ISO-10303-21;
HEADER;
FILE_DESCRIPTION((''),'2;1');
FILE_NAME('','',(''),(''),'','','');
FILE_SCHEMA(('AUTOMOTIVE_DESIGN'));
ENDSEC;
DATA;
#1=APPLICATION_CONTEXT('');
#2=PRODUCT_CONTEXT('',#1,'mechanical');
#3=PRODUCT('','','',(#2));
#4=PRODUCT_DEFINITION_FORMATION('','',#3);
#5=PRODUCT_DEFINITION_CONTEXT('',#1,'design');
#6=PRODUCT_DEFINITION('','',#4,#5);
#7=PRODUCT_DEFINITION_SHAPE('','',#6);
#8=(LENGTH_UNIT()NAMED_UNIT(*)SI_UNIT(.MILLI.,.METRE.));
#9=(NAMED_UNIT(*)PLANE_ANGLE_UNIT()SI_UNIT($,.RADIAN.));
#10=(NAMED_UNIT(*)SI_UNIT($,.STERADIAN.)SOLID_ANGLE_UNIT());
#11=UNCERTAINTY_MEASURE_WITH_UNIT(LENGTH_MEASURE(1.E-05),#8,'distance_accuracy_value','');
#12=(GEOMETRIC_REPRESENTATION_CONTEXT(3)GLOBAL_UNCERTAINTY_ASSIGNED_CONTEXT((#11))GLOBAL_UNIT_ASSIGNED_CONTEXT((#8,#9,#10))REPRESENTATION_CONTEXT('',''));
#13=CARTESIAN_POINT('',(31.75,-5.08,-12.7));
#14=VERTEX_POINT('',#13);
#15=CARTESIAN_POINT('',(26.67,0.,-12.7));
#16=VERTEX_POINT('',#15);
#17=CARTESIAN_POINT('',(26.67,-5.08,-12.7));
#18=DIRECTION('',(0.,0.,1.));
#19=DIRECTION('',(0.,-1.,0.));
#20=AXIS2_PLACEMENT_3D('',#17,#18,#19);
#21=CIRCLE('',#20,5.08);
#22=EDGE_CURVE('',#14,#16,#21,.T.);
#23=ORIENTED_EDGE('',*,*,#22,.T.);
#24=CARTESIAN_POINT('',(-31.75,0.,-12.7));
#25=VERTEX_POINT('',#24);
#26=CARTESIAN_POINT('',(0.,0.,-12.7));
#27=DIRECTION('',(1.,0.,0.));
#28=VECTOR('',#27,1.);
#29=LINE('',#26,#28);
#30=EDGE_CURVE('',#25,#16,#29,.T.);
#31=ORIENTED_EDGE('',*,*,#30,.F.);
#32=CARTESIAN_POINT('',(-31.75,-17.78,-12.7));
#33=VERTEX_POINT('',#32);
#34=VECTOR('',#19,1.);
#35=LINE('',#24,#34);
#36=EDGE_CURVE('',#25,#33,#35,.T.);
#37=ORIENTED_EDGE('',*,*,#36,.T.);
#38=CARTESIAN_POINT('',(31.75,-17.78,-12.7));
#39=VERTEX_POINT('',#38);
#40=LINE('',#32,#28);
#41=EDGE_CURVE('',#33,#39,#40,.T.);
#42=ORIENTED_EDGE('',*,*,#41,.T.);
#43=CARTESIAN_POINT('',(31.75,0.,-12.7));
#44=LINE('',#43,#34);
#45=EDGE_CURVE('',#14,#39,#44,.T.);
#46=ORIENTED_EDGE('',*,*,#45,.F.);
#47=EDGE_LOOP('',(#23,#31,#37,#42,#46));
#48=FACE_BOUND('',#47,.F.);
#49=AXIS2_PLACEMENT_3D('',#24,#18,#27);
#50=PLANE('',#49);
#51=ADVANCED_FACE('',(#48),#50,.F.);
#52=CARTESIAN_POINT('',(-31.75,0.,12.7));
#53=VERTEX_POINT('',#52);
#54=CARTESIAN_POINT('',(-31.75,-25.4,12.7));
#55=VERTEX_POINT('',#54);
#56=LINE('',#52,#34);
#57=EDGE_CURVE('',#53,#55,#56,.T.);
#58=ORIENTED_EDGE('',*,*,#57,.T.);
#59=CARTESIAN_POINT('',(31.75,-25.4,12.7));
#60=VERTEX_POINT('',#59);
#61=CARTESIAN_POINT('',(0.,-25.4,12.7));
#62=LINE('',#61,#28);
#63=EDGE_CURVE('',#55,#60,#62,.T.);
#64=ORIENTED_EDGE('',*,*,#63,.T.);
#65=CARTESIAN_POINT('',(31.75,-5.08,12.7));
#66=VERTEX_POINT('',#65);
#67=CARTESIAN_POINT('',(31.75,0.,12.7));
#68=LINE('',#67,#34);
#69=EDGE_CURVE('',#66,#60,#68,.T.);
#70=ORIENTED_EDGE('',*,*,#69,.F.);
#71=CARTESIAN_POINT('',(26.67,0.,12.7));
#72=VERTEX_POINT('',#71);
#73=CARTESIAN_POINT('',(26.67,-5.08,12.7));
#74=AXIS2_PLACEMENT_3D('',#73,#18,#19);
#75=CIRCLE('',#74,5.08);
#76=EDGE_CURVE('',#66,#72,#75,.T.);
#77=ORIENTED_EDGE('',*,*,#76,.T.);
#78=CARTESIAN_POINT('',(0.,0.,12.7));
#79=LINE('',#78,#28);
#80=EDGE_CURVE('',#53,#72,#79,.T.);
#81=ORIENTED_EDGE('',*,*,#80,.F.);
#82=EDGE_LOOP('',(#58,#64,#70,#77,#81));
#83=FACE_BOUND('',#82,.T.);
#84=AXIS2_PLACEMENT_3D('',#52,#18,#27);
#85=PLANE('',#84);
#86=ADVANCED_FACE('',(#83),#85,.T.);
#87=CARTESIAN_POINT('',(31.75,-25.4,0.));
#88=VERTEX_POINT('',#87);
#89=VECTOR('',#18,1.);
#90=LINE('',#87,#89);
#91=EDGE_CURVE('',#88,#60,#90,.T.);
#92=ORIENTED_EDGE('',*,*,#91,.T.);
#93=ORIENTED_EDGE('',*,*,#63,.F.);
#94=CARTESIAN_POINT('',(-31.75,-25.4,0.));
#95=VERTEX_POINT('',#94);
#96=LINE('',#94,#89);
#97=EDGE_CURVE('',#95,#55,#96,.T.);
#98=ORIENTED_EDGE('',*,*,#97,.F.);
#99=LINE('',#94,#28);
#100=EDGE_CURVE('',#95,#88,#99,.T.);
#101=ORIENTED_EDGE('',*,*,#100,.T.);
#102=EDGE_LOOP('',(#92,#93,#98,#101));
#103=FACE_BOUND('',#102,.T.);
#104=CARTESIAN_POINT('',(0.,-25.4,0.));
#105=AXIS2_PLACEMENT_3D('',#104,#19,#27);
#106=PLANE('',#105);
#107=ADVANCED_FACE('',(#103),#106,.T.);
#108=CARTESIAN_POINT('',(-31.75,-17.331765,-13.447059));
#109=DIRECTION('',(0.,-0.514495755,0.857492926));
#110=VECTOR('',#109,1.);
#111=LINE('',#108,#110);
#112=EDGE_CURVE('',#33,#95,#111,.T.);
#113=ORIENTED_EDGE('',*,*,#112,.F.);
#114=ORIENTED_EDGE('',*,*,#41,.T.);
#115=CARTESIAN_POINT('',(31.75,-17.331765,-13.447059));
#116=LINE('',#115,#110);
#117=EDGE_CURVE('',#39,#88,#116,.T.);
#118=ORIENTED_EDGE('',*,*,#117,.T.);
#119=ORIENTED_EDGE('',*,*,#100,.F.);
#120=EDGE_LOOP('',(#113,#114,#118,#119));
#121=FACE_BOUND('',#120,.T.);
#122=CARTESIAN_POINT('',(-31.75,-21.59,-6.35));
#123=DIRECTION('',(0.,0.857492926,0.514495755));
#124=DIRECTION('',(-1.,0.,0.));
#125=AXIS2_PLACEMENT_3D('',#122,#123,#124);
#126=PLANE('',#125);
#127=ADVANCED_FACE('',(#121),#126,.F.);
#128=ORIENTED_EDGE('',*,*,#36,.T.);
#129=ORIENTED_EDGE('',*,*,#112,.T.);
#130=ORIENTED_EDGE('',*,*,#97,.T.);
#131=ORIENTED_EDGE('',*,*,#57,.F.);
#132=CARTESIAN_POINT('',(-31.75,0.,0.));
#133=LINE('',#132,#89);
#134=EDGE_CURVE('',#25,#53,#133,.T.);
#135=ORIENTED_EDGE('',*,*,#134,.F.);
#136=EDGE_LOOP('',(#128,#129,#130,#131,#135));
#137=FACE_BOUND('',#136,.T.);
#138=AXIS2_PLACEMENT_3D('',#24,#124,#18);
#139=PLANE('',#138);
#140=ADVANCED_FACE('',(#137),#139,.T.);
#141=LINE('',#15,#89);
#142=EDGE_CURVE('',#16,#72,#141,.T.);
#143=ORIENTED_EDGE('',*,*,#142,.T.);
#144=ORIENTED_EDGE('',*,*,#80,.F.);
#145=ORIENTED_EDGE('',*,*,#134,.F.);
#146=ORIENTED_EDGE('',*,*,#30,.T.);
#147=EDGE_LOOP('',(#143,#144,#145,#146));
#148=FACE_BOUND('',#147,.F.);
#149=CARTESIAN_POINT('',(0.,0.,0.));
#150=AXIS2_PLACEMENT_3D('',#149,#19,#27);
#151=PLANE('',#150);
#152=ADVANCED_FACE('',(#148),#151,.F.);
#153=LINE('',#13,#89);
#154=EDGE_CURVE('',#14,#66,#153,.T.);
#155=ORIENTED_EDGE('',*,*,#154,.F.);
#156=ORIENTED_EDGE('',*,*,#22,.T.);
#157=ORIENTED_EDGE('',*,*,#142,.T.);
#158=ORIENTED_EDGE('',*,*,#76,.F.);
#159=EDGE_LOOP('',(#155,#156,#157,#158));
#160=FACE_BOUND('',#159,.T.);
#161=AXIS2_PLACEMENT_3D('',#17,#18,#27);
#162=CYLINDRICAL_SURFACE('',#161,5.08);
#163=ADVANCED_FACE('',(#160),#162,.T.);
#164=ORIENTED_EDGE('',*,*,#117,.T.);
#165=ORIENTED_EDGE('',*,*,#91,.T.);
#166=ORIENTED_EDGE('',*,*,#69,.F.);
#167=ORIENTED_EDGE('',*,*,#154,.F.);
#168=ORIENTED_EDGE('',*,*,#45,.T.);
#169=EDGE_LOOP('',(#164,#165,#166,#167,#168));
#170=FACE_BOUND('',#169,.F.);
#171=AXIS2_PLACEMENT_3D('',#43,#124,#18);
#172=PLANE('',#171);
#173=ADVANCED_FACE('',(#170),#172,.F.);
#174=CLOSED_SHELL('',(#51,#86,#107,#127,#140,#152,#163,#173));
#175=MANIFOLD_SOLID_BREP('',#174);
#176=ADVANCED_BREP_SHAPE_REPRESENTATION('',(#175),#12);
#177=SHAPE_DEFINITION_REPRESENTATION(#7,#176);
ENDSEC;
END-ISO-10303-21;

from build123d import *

# Parameters (mm, degrees)
F0_W     = 63.5
F0_H     = 25.4
F1_DEPTH = 25.4
F2_R     = 5.08
F3_SIZE2 = 12.7
F3_SIZE  = 7.62


with BuildPart() as f1:
    # F0 (on Front) → F1 (new body)
    with BuildSketch(Plane.XZ):
        Rectangle(F0_W, F0_H)
    extrude(amount=F1_DEPTH)

    # F2
    f2_edges = [f1.edges().sort_by_distance(p)[0] for p in [
        (31.75, 0, 0),
    ]]
    fillet(f2_edges, radius=F2_R)

    # F3
    f3_edges = [f1.edges().sort_by_distance(p)[0] for p in [
        (0, -25.4, -12.7),
    ]]
    chamfer(f3_edges, length=F3_SIZE, length2=F3_SIZE2)


solid = f1.part
